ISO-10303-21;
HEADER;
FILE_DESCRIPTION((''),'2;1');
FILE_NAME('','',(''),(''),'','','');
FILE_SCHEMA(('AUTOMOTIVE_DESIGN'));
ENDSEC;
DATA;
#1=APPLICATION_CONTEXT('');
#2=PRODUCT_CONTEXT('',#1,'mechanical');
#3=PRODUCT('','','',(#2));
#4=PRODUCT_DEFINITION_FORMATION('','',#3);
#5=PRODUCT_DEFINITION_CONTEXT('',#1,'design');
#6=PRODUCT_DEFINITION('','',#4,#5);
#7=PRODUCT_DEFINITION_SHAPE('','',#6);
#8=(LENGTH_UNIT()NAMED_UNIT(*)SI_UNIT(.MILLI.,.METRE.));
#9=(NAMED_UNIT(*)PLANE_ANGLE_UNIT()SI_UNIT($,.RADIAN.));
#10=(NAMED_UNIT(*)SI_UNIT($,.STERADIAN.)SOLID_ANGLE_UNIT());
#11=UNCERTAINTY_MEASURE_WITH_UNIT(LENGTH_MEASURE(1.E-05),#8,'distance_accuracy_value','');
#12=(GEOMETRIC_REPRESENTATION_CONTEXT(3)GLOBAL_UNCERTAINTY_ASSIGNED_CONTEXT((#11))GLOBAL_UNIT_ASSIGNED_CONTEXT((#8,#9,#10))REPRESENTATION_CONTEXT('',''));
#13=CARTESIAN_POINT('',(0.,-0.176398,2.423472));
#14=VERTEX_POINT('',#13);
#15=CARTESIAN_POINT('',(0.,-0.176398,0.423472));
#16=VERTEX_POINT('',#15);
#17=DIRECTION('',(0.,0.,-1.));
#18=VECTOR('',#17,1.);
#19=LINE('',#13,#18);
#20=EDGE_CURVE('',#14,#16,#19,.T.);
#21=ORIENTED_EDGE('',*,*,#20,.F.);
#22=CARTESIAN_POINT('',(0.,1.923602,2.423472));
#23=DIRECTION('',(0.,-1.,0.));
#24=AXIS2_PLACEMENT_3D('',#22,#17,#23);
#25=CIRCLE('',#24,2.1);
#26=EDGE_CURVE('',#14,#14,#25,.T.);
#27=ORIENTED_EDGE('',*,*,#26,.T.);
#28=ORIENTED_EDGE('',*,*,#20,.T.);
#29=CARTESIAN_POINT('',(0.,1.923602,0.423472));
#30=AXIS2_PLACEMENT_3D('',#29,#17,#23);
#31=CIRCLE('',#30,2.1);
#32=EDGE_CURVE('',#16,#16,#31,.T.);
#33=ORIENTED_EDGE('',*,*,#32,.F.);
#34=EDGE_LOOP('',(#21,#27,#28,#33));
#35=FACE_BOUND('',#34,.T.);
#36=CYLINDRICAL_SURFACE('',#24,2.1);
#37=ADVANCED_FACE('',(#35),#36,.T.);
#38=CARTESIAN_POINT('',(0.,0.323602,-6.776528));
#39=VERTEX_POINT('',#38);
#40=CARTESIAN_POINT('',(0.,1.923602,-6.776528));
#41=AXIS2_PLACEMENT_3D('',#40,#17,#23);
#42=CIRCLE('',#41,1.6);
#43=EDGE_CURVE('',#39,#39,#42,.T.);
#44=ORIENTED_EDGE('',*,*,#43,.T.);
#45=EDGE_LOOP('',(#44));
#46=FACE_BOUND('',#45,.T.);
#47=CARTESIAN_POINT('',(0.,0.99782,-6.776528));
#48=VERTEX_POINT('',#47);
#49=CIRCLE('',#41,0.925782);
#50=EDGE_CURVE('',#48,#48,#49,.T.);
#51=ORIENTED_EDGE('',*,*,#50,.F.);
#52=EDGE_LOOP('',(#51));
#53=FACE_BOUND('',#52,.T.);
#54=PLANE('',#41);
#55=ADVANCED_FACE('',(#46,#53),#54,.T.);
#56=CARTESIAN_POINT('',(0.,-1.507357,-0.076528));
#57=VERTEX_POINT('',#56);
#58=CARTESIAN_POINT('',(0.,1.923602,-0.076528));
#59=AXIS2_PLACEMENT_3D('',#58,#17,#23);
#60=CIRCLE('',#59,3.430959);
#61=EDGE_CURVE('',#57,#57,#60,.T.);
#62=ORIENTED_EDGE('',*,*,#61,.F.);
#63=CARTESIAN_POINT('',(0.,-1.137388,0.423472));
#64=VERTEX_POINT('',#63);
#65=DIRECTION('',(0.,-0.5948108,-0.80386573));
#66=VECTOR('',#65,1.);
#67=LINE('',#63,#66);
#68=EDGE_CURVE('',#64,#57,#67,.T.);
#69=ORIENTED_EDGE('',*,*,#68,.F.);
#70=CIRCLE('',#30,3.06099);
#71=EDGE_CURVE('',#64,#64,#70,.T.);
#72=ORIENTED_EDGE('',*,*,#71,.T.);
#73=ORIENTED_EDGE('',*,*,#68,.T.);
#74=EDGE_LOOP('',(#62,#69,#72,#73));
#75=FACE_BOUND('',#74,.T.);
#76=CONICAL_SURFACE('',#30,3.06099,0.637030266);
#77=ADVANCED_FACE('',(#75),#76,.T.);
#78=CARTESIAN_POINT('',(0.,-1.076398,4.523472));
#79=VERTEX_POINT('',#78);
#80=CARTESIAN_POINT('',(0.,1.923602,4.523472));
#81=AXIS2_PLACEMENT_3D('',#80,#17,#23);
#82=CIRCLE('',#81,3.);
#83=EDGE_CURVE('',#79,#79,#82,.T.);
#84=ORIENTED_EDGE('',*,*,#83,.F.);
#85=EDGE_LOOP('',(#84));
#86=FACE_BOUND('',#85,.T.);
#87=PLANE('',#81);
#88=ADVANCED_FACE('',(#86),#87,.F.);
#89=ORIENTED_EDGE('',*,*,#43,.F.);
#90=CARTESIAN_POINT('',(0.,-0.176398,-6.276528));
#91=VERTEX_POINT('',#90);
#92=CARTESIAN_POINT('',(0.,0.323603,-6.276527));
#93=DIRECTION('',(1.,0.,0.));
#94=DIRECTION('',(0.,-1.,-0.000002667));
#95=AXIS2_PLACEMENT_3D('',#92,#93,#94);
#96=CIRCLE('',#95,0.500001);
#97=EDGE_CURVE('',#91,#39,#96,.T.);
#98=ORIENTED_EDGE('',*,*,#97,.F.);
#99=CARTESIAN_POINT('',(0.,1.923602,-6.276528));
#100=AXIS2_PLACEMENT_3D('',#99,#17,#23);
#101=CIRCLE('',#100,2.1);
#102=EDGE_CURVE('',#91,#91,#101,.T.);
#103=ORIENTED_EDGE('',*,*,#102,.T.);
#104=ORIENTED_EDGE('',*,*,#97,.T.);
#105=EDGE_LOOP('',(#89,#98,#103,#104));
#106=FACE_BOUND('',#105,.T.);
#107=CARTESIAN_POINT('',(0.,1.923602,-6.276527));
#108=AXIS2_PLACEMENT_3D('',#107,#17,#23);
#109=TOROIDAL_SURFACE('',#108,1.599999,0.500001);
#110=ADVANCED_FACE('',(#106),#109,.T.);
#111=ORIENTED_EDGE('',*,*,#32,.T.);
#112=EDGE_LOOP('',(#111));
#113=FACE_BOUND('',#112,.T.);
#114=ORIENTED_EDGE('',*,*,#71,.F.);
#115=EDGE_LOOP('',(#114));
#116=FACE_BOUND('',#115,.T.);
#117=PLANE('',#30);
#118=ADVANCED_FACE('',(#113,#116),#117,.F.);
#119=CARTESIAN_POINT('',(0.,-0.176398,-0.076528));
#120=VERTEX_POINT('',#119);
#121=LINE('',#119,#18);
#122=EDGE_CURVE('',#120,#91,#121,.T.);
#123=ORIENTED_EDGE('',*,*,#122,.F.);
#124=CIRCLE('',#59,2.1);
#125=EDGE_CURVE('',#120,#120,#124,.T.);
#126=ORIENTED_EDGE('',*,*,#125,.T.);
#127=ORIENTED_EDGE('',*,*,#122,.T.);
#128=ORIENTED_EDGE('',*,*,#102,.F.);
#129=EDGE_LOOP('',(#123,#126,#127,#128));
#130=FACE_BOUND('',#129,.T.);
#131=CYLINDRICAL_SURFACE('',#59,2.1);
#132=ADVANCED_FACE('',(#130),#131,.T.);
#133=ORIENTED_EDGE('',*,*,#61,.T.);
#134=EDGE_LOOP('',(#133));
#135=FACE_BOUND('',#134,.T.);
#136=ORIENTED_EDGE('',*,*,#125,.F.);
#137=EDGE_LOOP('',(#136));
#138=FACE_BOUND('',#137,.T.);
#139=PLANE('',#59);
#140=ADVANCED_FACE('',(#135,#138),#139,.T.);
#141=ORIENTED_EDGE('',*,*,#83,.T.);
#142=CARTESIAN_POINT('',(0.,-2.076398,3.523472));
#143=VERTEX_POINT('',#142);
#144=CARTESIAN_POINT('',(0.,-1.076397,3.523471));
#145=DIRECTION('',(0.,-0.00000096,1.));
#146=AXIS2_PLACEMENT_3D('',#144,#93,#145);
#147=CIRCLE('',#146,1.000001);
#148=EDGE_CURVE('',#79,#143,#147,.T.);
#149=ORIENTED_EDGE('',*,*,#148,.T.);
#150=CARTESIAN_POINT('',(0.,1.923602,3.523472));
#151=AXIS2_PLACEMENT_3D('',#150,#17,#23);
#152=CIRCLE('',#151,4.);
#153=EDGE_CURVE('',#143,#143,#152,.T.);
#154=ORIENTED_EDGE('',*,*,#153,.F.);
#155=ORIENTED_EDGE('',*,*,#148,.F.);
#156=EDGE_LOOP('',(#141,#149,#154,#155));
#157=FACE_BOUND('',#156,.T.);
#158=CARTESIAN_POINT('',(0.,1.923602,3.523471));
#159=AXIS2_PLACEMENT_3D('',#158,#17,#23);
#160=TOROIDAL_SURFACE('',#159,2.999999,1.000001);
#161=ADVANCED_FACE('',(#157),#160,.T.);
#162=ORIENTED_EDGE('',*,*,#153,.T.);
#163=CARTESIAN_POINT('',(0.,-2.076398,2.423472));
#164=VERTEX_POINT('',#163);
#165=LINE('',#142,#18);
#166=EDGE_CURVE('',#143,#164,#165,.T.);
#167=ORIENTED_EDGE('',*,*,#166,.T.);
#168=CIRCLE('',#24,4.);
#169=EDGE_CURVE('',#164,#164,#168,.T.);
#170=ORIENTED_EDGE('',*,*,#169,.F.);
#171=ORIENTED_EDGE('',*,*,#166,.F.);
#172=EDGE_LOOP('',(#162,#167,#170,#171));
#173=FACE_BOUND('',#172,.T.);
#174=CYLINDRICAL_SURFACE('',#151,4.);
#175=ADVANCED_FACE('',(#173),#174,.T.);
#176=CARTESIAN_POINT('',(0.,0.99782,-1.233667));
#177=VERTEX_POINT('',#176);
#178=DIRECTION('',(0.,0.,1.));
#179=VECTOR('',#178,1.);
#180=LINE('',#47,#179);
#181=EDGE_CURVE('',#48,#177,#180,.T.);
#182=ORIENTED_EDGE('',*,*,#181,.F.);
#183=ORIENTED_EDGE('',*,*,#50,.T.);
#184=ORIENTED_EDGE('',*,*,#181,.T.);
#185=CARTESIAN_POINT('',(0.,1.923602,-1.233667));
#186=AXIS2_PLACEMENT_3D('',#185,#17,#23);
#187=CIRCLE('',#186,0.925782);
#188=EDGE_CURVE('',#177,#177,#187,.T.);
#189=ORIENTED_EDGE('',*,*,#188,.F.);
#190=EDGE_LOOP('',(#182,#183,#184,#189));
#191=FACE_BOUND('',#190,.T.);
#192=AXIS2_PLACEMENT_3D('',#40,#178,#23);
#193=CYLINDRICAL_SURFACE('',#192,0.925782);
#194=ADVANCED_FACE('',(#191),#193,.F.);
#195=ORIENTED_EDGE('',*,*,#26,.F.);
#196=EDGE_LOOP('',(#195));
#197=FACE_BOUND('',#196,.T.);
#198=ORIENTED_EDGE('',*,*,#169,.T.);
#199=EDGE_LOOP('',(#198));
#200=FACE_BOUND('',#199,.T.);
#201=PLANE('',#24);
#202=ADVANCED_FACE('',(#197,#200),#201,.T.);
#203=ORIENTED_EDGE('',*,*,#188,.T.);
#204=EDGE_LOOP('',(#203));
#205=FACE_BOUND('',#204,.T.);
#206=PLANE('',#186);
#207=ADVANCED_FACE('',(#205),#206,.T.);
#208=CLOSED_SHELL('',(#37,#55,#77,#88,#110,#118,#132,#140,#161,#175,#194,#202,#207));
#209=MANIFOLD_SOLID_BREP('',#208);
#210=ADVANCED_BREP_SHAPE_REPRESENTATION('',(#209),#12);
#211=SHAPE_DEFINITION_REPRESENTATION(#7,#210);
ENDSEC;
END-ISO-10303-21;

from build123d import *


with BuildPart() as f1:
    # F0 (on Right) → F1 (revolve)
    with BuildSketch(Plane.YZ):
        with BuildLine():
            Line((1.923602, -1.233667), (1.923602, 4.523472))
            Line((1.923602, 4.523472), (-1.076398, 4.523472))
            ThreePointArc((-1.076398, 4.523472), (-1.783504, 4.230579), (-2.076398, 3.523472))
            Line((-2.076398, 3.523472), (-2.076398, 2.423472))
            Line((-2.076398, 2.423472), (-0.176398, 2.423472))
            Line((-0.176398, 2.423472), (-0.176398, 0.423472))
            Line((-0.176398, 0.423472), (-1.137388, 0.423472))
            Line((-1.137388, 0.423472), (-1.507357, -0.076528))
            Line((-1.507357, -0.076528), (-0.176398, -0.076528))
            Line((-0.176398, -0.076528), (-0.176398, -6.276528))
            ThreePointArc((-0.176398, -6.276528), (-0.029951, -6.630081), (0.323602, -6.776528))
            Line((0.323602, -6.776528), (0.99782, -6.776528))
            Line((0.99782, -6.776528), (0.99782, -1.233667))
            Line((0.99782, -1.233667), (1.923602, -1.233667))
        make_face()
    revolve(axis=Axis((0, 1.923602, 1.644903), (0, 0, -1)))


solid = f1.part
